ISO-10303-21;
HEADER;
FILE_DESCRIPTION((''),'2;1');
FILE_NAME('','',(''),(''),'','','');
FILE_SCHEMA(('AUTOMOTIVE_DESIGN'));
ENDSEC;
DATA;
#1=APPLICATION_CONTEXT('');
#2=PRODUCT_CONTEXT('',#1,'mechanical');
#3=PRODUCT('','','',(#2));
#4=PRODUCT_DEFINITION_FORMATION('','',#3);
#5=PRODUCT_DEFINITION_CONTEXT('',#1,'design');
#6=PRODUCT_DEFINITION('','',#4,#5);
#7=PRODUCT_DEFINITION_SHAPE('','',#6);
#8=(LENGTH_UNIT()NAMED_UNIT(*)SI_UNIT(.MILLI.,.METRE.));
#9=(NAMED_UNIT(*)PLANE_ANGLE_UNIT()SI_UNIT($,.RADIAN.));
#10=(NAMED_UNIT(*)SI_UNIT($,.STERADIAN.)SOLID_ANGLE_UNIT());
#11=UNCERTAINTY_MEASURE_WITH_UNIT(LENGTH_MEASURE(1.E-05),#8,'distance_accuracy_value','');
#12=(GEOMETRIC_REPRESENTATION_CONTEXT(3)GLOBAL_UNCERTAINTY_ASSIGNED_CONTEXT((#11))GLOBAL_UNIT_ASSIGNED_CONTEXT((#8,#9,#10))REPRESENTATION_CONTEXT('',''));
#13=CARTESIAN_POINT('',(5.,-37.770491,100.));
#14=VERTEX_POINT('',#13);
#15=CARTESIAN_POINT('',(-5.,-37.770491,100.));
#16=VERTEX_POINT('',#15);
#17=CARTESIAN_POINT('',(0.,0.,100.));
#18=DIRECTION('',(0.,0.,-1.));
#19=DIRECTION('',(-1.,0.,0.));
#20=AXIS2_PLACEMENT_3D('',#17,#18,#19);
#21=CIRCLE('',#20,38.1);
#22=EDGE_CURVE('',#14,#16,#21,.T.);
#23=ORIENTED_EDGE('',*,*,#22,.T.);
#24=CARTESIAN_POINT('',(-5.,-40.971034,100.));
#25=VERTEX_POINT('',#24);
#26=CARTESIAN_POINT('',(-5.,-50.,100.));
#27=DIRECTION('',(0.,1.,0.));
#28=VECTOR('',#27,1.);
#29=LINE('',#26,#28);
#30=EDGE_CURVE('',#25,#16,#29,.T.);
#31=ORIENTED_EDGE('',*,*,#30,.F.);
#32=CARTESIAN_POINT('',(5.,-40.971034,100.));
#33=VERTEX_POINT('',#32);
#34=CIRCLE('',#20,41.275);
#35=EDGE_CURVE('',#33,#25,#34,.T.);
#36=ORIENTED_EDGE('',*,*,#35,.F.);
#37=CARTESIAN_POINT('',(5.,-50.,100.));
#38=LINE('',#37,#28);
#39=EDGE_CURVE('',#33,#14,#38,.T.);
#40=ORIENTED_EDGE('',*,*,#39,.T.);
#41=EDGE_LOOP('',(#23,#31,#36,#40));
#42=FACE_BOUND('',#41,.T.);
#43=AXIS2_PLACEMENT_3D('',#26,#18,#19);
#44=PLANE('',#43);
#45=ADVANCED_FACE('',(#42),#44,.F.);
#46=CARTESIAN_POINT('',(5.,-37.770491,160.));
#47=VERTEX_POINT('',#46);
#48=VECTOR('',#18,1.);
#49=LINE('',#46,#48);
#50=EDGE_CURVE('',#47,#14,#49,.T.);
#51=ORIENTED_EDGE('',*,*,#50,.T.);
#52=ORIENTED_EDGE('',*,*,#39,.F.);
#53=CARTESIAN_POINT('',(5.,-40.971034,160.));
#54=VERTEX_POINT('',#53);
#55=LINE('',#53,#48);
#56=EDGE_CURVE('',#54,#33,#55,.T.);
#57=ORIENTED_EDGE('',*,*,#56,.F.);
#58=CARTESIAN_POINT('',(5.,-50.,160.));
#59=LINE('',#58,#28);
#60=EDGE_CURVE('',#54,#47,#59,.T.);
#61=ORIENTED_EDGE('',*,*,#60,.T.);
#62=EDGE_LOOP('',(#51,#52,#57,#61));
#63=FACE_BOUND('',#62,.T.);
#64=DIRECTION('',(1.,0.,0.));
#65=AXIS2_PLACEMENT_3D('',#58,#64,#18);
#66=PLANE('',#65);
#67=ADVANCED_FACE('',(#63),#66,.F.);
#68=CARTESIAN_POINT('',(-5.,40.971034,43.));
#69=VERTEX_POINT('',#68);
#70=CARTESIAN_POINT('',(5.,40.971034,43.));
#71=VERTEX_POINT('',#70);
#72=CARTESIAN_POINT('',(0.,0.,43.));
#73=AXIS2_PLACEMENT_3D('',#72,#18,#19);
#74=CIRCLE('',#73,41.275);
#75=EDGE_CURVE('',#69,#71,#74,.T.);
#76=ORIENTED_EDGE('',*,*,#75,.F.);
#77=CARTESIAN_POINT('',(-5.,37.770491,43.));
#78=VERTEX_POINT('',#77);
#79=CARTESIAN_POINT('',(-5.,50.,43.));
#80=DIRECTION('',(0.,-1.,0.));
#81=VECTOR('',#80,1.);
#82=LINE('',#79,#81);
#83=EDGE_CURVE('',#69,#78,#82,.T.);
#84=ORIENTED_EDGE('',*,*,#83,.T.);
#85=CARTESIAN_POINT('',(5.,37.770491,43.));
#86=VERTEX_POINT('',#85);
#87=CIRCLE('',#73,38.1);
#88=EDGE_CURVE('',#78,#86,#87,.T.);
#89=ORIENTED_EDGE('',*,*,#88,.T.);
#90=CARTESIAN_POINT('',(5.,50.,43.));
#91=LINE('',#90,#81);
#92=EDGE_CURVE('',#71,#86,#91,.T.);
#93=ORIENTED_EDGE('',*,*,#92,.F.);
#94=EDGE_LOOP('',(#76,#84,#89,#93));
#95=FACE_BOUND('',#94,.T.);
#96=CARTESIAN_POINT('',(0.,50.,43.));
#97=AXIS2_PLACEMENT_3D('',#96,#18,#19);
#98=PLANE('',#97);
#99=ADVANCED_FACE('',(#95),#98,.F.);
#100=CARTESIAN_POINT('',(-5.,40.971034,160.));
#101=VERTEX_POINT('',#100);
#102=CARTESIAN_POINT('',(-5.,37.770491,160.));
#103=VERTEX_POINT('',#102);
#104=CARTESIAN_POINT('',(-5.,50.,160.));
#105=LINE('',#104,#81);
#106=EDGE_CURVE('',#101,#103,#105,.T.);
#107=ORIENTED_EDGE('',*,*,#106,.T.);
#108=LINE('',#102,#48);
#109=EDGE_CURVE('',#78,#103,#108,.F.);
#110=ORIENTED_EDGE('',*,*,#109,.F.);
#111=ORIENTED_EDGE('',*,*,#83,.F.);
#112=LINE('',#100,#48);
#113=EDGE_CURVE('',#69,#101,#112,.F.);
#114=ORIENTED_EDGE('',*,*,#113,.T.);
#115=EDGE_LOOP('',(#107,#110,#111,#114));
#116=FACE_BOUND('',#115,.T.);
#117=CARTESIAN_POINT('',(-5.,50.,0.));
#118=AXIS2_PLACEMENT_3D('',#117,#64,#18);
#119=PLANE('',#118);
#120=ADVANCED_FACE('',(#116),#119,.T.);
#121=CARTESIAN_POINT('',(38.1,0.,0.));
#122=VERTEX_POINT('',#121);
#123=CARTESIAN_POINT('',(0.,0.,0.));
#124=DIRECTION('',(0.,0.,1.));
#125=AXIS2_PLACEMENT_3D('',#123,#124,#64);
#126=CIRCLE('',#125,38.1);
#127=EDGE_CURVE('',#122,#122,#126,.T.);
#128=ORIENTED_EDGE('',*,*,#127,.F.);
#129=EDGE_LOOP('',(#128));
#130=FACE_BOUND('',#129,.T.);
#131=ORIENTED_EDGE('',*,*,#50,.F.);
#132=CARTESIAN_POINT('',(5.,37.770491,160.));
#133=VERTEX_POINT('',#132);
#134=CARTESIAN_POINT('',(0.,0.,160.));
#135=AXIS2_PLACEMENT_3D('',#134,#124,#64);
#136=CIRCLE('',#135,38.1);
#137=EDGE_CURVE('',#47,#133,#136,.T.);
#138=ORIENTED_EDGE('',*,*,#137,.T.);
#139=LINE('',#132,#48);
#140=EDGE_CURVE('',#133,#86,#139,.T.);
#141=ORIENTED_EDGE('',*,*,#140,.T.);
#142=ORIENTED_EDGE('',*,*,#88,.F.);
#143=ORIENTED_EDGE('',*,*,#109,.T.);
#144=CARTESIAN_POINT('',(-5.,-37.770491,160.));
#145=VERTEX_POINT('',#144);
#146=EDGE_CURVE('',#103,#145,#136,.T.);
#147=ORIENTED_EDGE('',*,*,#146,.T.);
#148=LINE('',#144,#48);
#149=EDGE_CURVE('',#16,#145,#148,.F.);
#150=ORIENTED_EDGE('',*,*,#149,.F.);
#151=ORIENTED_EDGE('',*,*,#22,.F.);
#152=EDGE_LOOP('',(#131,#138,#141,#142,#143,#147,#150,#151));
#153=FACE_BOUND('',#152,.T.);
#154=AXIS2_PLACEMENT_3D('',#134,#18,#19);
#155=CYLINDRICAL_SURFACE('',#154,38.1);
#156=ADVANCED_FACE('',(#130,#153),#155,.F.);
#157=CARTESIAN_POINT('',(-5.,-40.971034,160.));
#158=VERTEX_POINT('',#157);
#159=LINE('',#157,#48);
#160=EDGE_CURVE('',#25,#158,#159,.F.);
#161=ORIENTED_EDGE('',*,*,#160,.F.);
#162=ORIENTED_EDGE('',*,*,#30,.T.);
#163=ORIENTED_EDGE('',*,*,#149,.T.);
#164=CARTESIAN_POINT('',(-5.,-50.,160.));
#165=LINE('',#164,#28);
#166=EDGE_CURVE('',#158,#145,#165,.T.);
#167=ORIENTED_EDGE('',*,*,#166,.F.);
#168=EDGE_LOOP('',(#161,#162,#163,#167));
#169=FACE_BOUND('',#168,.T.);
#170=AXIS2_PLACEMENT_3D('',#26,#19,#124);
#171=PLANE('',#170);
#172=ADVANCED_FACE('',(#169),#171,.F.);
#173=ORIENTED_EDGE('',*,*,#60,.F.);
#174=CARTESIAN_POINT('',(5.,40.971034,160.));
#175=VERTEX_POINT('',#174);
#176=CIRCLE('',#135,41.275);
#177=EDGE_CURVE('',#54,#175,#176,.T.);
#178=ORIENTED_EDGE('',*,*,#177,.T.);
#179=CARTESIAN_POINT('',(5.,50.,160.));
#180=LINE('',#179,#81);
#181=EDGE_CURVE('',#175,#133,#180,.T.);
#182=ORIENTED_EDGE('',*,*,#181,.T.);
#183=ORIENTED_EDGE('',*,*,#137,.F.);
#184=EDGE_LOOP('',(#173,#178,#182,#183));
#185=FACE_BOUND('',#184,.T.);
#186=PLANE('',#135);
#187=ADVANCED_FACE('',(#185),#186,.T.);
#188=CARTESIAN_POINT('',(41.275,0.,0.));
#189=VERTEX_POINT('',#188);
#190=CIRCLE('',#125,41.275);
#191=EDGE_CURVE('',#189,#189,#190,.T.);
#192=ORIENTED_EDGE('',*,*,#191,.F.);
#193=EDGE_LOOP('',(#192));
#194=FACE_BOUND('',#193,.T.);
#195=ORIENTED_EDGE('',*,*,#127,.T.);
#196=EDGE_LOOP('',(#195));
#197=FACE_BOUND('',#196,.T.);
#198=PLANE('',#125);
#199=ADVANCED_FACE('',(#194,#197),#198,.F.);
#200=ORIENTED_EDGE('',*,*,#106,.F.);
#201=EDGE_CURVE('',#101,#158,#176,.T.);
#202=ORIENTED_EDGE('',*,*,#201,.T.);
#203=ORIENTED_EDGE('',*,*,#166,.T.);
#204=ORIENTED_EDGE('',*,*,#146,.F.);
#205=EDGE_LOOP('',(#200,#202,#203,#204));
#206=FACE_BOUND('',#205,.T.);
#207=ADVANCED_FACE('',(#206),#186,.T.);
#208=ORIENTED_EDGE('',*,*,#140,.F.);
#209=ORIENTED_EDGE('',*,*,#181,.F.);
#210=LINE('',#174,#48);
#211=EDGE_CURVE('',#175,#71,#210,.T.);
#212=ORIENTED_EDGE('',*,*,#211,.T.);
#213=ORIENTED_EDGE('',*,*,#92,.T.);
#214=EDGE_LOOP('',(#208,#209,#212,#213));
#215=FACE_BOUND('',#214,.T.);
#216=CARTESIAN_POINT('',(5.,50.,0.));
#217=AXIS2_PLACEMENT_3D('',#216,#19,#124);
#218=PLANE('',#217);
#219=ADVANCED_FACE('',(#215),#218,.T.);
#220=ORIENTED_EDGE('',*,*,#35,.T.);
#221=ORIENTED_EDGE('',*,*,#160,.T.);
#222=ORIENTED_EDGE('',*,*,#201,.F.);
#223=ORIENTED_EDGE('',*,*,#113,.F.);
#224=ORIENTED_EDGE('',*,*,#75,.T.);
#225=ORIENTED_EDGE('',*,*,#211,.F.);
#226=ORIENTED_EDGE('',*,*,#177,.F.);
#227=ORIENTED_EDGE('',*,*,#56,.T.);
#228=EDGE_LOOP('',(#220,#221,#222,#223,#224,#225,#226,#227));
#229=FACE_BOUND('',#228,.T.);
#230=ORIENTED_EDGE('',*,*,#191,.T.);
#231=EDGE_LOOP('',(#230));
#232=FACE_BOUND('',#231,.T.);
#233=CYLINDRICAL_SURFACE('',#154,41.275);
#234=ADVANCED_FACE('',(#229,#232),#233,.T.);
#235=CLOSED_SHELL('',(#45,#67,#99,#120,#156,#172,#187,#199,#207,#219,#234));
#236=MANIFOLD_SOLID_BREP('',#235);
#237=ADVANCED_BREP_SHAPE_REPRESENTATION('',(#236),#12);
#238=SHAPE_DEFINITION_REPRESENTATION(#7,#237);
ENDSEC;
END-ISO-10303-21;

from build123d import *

# Parameters (mm, degrees)
SKETCH1_R           = 41.275
SKETCH1_R_2         = 38.1
BOSS_EXTRUDE1_DEPTH = 160
SKETCH2_W           = 10
SKETCH2_H           = 60
CUT_EXTRUDE1_DEPTH  = 50
SKETCH3_W           = 10
SKETCH3_H           = 117
CUT_EXTRUDE2_DEPTH  = 50


with BuildPart() as part:
    # Sketch1 → Boss-Extrude1 (new body)
    with BuildSketch(Plane.XY):
        Circle(SKETCH1_R)
        Circle(SKETCH1_R_2, mode=Mode.SUBTRACT)
    extrude(amount=BOSS_EXTRUDE1_DEPTH)

    # Sketch2 → Cut-Extrude1 (cut)
    with BuildSketch(Plane(origin=(0, 0, 0), x_dir=(1, 0, 0), z_dir=(0, 1, 0))):
        with Locations((0, -130)):
            Rectangle(SKETCH2_W, SKETCH2_H)
    extrude(amount=-CUT_EXTRUDE1_DEPTH, mode=Mode.SUBTRACT)

    # Sketch3 → Cut-Extrude2 (cut)
    with BuildSketch(Plane(origin=(0, 0, 0), x_dir=(1, 0, 0), z_dir=(0, 1, 0))):
        with Locations((0, -101.5)):
            Rectangle(SKETCH3_W, SKETCH3_H)
    extrude(amount=CUT_EXTRUDE2_DEPTH, mode=Mode.SUBTRACT)


solid = part.part
